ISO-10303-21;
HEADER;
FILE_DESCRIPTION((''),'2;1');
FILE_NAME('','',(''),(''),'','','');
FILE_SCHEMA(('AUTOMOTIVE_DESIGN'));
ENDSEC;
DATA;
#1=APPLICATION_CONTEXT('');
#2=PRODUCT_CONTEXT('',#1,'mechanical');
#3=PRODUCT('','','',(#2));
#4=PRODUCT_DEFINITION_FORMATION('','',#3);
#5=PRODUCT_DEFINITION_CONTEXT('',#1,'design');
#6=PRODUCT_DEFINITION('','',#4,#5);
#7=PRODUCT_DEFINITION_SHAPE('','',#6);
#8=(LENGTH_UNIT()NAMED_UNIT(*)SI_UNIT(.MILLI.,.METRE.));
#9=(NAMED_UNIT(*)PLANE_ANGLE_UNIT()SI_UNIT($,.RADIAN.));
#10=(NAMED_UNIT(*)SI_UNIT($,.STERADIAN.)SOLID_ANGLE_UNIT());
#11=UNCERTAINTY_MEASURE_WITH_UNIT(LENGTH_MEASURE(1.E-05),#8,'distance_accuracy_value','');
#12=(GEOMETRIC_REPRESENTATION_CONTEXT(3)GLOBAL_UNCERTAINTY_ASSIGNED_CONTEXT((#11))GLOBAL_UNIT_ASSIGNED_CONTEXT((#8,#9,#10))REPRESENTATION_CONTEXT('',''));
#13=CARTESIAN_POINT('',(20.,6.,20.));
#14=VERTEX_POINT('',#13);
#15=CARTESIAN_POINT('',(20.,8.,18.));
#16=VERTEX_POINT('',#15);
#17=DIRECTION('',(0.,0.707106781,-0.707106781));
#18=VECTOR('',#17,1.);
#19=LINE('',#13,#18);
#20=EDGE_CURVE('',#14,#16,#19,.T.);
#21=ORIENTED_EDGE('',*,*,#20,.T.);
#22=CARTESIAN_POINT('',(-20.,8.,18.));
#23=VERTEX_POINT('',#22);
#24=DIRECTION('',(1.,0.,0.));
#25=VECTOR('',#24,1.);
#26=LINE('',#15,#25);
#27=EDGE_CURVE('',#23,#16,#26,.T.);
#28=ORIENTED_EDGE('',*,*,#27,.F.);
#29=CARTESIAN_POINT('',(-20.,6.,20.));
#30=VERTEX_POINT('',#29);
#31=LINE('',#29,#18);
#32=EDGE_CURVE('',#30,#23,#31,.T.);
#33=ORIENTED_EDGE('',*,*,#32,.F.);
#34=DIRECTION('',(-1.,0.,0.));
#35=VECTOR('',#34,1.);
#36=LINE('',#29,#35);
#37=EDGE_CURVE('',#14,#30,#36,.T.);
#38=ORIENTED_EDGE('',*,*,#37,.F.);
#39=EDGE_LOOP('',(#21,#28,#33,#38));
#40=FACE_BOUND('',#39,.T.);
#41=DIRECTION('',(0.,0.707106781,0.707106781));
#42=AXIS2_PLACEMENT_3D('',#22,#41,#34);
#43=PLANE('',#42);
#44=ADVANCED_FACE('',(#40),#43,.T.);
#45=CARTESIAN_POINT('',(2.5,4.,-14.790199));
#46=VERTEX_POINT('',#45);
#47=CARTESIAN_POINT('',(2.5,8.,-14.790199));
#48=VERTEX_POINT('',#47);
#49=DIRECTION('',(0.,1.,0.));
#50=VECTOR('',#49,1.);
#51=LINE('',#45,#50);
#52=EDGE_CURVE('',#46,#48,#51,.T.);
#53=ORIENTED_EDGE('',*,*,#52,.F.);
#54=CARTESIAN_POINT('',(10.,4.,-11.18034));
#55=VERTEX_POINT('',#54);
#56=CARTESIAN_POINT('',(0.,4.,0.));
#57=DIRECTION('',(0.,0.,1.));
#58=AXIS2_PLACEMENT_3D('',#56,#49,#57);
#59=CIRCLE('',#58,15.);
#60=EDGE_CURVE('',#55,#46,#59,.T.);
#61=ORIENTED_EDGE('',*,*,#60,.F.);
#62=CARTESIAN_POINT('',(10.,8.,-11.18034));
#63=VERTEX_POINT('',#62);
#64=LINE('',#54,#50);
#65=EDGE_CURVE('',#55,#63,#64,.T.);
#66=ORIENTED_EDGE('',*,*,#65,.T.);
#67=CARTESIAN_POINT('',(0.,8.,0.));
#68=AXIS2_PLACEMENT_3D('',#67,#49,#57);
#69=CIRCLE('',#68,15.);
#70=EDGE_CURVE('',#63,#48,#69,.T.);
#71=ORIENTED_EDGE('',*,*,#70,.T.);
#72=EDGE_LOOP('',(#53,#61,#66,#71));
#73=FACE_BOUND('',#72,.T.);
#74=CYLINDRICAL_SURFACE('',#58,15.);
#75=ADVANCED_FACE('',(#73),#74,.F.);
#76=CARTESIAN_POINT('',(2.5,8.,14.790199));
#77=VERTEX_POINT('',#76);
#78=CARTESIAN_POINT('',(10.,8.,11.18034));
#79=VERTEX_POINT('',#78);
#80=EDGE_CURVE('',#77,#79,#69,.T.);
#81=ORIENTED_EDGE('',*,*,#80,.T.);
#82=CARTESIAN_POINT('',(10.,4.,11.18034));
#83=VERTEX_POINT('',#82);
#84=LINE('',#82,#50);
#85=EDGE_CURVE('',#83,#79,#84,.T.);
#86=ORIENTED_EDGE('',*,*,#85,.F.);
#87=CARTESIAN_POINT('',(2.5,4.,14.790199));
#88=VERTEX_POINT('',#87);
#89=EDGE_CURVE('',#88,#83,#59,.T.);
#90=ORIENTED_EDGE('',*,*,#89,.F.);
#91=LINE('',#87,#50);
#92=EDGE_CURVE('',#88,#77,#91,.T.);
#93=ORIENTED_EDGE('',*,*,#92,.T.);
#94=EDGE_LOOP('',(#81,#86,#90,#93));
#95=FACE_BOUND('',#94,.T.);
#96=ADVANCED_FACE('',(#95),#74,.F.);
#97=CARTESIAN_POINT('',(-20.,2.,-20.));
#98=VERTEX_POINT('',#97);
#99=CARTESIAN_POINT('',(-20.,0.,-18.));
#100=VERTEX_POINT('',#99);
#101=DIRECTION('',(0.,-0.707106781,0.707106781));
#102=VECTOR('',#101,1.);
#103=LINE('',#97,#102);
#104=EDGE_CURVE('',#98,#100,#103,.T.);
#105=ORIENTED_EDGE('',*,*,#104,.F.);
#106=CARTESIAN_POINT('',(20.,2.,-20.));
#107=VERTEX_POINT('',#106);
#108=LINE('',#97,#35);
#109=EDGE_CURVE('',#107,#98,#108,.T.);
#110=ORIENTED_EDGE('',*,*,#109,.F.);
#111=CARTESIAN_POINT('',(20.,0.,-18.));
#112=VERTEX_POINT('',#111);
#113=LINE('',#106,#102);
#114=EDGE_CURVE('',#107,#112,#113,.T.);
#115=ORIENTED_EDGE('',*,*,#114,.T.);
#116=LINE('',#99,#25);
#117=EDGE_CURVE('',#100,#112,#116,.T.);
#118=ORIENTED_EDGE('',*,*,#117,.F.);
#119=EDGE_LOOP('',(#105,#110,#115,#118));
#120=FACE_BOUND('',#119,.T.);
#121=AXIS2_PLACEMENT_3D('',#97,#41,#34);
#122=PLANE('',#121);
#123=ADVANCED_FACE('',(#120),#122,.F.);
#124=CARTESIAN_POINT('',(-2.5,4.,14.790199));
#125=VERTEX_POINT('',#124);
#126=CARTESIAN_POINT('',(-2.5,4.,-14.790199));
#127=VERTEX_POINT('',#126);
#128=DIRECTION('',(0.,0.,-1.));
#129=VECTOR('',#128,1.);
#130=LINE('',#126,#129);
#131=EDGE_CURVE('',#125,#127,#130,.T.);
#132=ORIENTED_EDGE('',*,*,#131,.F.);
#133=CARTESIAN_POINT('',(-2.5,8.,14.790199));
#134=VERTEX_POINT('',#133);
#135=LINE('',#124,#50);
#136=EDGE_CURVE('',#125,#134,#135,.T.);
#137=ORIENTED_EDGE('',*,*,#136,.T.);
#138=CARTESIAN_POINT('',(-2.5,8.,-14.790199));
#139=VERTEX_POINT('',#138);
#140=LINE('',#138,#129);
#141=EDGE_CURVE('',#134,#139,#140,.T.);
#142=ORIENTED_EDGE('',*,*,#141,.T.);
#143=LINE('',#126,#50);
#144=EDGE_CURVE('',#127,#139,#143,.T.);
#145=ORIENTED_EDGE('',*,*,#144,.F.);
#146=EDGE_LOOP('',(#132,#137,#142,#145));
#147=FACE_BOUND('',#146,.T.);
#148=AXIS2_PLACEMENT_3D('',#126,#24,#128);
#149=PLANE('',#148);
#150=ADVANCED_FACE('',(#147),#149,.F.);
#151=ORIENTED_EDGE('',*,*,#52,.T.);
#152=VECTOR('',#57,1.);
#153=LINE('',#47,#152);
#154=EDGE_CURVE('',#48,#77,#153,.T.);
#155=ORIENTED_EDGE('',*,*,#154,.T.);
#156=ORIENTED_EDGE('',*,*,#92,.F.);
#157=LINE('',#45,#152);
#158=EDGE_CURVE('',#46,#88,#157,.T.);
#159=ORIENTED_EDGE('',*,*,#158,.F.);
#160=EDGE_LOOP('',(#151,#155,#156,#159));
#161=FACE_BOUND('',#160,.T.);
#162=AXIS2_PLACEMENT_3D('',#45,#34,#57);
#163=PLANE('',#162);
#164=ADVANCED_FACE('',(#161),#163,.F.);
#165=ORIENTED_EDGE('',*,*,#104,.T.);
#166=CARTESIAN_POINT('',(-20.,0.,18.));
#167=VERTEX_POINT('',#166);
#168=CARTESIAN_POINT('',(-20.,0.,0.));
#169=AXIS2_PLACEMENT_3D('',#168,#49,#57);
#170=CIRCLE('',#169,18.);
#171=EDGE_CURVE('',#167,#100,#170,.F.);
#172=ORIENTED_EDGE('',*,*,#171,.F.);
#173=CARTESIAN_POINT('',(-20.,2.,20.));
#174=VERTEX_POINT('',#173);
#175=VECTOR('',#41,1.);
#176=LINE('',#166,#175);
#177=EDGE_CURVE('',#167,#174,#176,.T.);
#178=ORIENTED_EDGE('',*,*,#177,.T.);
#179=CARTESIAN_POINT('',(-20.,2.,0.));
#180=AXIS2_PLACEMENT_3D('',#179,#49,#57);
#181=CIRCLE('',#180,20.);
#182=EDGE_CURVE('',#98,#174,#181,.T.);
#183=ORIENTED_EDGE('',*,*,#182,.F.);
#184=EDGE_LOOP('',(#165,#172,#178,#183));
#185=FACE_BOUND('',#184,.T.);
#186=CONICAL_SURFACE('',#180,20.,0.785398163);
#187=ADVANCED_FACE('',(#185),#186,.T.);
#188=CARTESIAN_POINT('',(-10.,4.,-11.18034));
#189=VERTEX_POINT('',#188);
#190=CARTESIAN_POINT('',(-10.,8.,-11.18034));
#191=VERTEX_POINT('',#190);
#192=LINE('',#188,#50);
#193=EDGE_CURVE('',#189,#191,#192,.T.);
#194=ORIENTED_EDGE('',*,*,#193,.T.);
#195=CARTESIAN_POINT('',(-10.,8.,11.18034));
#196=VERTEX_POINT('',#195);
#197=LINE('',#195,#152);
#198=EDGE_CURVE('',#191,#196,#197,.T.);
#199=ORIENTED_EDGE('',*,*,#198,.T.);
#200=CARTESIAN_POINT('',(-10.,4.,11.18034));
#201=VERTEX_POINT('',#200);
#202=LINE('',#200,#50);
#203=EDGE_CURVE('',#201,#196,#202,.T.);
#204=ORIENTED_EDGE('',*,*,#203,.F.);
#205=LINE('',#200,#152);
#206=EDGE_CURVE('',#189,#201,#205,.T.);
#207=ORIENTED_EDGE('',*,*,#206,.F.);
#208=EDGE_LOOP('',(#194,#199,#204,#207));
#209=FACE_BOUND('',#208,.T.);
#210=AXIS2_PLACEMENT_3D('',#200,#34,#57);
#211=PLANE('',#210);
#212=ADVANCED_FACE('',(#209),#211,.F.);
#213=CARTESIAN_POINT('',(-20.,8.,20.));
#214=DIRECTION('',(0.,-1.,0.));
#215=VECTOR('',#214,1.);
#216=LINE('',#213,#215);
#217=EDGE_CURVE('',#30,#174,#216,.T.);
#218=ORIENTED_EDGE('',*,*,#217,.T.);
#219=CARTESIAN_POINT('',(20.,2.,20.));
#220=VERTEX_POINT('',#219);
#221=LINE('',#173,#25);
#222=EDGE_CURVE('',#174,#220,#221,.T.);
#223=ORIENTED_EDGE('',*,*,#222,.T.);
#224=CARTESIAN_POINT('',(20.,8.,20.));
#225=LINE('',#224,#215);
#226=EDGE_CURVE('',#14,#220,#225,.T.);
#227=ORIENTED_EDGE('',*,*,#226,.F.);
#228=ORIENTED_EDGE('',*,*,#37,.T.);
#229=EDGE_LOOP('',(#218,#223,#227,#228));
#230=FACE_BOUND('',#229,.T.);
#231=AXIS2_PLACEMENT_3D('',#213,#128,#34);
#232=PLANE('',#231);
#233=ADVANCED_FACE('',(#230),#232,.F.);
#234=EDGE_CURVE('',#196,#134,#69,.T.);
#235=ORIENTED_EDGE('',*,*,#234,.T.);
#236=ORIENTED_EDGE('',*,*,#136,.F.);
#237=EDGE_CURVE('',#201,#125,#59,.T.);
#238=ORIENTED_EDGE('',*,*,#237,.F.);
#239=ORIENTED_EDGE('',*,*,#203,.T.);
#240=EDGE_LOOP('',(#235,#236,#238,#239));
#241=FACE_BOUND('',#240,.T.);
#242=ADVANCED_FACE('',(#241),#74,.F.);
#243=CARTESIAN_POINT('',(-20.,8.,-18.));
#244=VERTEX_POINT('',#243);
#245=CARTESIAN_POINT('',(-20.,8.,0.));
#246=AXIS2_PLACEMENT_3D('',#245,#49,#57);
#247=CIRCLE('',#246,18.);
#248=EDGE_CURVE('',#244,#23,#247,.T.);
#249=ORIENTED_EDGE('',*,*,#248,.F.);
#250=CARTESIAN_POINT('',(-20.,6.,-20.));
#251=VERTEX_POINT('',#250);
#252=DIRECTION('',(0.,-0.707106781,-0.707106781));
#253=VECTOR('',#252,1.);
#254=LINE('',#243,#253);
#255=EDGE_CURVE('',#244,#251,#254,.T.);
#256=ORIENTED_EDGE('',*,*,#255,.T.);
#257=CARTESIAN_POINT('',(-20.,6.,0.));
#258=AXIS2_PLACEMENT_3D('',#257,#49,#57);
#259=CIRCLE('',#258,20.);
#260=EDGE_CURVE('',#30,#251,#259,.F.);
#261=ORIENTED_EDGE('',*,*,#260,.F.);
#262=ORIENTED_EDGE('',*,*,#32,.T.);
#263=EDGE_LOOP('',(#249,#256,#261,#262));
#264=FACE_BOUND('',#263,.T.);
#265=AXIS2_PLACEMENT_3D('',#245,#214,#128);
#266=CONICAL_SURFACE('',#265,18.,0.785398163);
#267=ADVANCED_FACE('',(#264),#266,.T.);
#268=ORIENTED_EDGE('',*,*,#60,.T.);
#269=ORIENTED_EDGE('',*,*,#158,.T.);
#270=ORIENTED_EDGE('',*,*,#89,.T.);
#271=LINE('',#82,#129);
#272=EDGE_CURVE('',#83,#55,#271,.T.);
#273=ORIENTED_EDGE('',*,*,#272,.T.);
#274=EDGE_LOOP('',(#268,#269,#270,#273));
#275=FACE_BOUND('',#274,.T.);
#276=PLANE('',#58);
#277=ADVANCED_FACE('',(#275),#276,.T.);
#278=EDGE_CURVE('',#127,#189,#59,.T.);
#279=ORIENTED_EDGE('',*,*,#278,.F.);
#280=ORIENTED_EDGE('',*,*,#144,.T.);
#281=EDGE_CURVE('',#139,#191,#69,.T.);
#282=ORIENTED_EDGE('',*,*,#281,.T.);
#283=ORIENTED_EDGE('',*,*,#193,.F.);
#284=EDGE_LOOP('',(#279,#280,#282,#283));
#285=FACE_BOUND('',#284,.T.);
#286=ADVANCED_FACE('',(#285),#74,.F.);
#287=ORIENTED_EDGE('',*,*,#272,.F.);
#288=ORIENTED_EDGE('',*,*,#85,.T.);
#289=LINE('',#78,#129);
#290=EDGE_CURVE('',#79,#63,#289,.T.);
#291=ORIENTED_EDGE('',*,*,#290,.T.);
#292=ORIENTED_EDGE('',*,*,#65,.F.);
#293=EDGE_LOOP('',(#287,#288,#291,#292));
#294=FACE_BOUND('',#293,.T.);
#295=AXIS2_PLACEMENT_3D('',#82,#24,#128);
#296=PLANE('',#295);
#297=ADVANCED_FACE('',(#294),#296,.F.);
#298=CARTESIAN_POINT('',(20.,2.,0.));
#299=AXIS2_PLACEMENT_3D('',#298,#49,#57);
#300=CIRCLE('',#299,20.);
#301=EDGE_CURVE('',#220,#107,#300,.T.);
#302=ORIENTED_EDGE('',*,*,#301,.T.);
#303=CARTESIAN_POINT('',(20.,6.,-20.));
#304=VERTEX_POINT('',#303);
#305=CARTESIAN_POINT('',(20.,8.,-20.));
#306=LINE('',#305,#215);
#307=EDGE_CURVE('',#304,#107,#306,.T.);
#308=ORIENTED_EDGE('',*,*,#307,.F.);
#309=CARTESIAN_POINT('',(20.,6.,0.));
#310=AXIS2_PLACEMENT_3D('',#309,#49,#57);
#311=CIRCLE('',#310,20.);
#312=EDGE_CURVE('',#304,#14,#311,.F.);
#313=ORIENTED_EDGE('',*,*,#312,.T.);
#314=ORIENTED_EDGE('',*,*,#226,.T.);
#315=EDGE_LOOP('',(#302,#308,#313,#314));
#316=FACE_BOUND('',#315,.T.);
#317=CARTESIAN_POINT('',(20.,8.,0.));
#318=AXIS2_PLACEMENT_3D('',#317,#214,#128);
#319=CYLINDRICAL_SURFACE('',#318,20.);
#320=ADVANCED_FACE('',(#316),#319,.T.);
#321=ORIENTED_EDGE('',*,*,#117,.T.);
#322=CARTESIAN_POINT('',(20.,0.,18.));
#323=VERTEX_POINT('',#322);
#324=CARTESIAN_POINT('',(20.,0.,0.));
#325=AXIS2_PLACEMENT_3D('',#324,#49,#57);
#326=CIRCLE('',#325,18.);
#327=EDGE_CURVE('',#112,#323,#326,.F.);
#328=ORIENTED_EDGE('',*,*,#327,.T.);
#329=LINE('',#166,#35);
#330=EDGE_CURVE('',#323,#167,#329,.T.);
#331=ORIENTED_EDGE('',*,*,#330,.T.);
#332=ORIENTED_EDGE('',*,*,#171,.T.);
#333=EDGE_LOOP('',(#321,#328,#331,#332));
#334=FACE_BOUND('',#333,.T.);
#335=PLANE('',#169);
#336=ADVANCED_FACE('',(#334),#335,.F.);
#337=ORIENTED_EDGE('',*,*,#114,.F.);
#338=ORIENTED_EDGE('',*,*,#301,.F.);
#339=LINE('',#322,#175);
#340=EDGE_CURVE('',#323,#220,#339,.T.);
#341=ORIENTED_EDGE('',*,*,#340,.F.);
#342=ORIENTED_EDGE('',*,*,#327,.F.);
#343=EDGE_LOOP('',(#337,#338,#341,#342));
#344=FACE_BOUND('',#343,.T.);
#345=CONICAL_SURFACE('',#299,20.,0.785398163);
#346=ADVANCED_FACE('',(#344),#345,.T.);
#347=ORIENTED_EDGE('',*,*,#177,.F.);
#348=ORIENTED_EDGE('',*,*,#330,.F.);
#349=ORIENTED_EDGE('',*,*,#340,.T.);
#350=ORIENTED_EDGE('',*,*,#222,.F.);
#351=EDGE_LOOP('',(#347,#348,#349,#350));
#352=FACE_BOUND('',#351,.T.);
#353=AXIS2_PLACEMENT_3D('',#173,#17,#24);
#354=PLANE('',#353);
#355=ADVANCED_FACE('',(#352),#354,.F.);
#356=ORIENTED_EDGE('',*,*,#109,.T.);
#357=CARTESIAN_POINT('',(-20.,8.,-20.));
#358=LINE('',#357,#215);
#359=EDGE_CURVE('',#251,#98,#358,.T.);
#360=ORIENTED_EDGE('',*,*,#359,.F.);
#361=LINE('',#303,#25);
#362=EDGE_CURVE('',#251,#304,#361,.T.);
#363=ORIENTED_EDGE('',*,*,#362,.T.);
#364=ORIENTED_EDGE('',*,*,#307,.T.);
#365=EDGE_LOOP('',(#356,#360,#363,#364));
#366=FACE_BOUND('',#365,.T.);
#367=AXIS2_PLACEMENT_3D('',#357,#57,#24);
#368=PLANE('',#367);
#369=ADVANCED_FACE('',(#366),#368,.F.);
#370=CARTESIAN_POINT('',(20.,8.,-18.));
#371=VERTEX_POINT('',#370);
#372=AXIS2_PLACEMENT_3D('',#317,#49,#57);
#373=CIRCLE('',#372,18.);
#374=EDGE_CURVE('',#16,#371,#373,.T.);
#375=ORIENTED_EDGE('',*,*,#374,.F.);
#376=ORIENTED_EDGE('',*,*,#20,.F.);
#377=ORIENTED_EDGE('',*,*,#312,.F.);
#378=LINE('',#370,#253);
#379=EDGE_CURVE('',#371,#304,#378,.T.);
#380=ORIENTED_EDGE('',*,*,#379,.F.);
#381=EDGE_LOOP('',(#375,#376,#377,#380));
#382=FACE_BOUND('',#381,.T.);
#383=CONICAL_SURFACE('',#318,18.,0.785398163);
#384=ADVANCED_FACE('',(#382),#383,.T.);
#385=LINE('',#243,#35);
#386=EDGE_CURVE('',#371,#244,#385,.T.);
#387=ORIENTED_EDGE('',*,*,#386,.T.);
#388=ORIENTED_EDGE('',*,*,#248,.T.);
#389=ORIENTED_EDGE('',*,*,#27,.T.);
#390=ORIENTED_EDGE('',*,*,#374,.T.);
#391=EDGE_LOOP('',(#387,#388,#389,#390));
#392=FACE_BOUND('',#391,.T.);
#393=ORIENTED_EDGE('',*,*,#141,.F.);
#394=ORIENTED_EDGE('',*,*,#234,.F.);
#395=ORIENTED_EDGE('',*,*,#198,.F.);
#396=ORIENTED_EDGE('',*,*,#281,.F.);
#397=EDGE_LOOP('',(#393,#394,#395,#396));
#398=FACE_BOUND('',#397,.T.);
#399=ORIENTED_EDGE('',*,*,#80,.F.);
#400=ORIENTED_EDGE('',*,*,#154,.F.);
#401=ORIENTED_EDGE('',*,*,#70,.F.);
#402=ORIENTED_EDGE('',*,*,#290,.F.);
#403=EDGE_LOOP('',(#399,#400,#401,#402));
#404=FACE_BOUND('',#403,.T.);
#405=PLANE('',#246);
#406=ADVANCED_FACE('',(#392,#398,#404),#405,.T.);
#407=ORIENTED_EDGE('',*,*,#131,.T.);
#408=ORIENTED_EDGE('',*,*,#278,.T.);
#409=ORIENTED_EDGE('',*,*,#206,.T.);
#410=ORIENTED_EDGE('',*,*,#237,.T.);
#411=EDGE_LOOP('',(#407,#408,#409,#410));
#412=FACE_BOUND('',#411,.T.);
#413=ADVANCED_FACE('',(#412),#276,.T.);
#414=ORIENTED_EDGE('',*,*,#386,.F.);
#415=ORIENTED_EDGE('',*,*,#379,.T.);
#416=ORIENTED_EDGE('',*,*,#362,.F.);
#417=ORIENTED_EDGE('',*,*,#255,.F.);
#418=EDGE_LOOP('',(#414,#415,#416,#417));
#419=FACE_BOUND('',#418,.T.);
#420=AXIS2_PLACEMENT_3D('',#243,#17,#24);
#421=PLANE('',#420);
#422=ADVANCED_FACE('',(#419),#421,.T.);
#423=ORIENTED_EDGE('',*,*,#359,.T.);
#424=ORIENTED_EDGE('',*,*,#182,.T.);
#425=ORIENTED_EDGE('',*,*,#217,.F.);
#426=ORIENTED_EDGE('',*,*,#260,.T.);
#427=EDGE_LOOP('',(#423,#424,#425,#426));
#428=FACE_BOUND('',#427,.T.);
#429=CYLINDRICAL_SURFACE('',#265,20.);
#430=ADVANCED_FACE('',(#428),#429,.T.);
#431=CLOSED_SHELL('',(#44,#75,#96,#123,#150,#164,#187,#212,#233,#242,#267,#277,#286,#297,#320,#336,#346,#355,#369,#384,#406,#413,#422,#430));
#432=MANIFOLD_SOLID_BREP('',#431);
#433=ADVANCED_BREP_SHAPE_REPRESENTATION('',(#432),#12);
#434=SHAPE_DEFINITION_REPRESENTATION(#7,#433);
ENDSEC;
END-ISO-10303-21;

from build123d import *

# Parameters (mm, degrees)
BOSS_EXTRUDE1_DEPTH = 8
CUT_EXTRUDE5_DEPTH  = 4
CHAMFER1_SIZE       = 2


with BuildPart() as part:
    # Sketch1 → Boss-Extrude1 (new body)
    with BuildSketch(Plane(origin=(0, 0, 0), x_dir=(1, 0, 0), z_dir=(0, 1, 0))):
        with BuildLine():
            Line((-20, 20), (20, 20))
            ThreePointArc((20, 20), (40, 0), (20, -20))
            Line((20, -20), (-20, -20))
            ThreePointArc((-20, -20), (-40, 0), (-20, 20))
        make_face()
    extrude(amount=BOSS_EXTRUDE1_DEPTH)

    # Sketch2 → Cut-Extrude5 (cut)
    with BuildSketch(Plane(origin=(0, 8, 0), x_dir=(1, 0, 0), z_dir=(0, 1, 0))):
        with BuildLine():
            Line((-10, -11.180339887), (-10, 11.180339887))
            ThreePointArc((-10, 11.180339887), (-6.505403256, 13.515906498), (-2.5, 14.790199458))
            Line((-2.5, 14.790199458), (-2.5, -14.790199458))
            ThreePointArc((-2.5, -14.790199458), (-6.505403256, -13.515906498), (-10, -11.180339887))
        make_face()
        with BuildLine():
            Line((10, -11.180339887), (10, 11.180339887))
            ThreePointArc((10, 11.180339887), (6.505403256, 13.515906498), (2.5, 14.790199458))
            Line((2.5, 14.790199458), (2.5, -14.790199458))
            ThreePointArc((2.5, -14.790199458), (6.505403256, -13.515906498), (10, -11.180339887))
        make_face()
    extrude(amount=-CUT_EXTRUDE5_DEPTH, mode=Mode.SUBTRACT)

    # Chamfer1
    chamfer1_edges = [part.edges().sort_by_distance(p)[0] for p in [
        (40, 8, 0),
        (0, 8, -20),
        (-40, 8, 0),
        (0, 0, -20),
        (40, 0, 0),
        (0, 0, 20),
        (-40, 0, 0),
        (0, 8, 20),
    ]]
    chamfer(chamfer1_edges, length=CHAMFER1_SIZE)


solid = part.part
